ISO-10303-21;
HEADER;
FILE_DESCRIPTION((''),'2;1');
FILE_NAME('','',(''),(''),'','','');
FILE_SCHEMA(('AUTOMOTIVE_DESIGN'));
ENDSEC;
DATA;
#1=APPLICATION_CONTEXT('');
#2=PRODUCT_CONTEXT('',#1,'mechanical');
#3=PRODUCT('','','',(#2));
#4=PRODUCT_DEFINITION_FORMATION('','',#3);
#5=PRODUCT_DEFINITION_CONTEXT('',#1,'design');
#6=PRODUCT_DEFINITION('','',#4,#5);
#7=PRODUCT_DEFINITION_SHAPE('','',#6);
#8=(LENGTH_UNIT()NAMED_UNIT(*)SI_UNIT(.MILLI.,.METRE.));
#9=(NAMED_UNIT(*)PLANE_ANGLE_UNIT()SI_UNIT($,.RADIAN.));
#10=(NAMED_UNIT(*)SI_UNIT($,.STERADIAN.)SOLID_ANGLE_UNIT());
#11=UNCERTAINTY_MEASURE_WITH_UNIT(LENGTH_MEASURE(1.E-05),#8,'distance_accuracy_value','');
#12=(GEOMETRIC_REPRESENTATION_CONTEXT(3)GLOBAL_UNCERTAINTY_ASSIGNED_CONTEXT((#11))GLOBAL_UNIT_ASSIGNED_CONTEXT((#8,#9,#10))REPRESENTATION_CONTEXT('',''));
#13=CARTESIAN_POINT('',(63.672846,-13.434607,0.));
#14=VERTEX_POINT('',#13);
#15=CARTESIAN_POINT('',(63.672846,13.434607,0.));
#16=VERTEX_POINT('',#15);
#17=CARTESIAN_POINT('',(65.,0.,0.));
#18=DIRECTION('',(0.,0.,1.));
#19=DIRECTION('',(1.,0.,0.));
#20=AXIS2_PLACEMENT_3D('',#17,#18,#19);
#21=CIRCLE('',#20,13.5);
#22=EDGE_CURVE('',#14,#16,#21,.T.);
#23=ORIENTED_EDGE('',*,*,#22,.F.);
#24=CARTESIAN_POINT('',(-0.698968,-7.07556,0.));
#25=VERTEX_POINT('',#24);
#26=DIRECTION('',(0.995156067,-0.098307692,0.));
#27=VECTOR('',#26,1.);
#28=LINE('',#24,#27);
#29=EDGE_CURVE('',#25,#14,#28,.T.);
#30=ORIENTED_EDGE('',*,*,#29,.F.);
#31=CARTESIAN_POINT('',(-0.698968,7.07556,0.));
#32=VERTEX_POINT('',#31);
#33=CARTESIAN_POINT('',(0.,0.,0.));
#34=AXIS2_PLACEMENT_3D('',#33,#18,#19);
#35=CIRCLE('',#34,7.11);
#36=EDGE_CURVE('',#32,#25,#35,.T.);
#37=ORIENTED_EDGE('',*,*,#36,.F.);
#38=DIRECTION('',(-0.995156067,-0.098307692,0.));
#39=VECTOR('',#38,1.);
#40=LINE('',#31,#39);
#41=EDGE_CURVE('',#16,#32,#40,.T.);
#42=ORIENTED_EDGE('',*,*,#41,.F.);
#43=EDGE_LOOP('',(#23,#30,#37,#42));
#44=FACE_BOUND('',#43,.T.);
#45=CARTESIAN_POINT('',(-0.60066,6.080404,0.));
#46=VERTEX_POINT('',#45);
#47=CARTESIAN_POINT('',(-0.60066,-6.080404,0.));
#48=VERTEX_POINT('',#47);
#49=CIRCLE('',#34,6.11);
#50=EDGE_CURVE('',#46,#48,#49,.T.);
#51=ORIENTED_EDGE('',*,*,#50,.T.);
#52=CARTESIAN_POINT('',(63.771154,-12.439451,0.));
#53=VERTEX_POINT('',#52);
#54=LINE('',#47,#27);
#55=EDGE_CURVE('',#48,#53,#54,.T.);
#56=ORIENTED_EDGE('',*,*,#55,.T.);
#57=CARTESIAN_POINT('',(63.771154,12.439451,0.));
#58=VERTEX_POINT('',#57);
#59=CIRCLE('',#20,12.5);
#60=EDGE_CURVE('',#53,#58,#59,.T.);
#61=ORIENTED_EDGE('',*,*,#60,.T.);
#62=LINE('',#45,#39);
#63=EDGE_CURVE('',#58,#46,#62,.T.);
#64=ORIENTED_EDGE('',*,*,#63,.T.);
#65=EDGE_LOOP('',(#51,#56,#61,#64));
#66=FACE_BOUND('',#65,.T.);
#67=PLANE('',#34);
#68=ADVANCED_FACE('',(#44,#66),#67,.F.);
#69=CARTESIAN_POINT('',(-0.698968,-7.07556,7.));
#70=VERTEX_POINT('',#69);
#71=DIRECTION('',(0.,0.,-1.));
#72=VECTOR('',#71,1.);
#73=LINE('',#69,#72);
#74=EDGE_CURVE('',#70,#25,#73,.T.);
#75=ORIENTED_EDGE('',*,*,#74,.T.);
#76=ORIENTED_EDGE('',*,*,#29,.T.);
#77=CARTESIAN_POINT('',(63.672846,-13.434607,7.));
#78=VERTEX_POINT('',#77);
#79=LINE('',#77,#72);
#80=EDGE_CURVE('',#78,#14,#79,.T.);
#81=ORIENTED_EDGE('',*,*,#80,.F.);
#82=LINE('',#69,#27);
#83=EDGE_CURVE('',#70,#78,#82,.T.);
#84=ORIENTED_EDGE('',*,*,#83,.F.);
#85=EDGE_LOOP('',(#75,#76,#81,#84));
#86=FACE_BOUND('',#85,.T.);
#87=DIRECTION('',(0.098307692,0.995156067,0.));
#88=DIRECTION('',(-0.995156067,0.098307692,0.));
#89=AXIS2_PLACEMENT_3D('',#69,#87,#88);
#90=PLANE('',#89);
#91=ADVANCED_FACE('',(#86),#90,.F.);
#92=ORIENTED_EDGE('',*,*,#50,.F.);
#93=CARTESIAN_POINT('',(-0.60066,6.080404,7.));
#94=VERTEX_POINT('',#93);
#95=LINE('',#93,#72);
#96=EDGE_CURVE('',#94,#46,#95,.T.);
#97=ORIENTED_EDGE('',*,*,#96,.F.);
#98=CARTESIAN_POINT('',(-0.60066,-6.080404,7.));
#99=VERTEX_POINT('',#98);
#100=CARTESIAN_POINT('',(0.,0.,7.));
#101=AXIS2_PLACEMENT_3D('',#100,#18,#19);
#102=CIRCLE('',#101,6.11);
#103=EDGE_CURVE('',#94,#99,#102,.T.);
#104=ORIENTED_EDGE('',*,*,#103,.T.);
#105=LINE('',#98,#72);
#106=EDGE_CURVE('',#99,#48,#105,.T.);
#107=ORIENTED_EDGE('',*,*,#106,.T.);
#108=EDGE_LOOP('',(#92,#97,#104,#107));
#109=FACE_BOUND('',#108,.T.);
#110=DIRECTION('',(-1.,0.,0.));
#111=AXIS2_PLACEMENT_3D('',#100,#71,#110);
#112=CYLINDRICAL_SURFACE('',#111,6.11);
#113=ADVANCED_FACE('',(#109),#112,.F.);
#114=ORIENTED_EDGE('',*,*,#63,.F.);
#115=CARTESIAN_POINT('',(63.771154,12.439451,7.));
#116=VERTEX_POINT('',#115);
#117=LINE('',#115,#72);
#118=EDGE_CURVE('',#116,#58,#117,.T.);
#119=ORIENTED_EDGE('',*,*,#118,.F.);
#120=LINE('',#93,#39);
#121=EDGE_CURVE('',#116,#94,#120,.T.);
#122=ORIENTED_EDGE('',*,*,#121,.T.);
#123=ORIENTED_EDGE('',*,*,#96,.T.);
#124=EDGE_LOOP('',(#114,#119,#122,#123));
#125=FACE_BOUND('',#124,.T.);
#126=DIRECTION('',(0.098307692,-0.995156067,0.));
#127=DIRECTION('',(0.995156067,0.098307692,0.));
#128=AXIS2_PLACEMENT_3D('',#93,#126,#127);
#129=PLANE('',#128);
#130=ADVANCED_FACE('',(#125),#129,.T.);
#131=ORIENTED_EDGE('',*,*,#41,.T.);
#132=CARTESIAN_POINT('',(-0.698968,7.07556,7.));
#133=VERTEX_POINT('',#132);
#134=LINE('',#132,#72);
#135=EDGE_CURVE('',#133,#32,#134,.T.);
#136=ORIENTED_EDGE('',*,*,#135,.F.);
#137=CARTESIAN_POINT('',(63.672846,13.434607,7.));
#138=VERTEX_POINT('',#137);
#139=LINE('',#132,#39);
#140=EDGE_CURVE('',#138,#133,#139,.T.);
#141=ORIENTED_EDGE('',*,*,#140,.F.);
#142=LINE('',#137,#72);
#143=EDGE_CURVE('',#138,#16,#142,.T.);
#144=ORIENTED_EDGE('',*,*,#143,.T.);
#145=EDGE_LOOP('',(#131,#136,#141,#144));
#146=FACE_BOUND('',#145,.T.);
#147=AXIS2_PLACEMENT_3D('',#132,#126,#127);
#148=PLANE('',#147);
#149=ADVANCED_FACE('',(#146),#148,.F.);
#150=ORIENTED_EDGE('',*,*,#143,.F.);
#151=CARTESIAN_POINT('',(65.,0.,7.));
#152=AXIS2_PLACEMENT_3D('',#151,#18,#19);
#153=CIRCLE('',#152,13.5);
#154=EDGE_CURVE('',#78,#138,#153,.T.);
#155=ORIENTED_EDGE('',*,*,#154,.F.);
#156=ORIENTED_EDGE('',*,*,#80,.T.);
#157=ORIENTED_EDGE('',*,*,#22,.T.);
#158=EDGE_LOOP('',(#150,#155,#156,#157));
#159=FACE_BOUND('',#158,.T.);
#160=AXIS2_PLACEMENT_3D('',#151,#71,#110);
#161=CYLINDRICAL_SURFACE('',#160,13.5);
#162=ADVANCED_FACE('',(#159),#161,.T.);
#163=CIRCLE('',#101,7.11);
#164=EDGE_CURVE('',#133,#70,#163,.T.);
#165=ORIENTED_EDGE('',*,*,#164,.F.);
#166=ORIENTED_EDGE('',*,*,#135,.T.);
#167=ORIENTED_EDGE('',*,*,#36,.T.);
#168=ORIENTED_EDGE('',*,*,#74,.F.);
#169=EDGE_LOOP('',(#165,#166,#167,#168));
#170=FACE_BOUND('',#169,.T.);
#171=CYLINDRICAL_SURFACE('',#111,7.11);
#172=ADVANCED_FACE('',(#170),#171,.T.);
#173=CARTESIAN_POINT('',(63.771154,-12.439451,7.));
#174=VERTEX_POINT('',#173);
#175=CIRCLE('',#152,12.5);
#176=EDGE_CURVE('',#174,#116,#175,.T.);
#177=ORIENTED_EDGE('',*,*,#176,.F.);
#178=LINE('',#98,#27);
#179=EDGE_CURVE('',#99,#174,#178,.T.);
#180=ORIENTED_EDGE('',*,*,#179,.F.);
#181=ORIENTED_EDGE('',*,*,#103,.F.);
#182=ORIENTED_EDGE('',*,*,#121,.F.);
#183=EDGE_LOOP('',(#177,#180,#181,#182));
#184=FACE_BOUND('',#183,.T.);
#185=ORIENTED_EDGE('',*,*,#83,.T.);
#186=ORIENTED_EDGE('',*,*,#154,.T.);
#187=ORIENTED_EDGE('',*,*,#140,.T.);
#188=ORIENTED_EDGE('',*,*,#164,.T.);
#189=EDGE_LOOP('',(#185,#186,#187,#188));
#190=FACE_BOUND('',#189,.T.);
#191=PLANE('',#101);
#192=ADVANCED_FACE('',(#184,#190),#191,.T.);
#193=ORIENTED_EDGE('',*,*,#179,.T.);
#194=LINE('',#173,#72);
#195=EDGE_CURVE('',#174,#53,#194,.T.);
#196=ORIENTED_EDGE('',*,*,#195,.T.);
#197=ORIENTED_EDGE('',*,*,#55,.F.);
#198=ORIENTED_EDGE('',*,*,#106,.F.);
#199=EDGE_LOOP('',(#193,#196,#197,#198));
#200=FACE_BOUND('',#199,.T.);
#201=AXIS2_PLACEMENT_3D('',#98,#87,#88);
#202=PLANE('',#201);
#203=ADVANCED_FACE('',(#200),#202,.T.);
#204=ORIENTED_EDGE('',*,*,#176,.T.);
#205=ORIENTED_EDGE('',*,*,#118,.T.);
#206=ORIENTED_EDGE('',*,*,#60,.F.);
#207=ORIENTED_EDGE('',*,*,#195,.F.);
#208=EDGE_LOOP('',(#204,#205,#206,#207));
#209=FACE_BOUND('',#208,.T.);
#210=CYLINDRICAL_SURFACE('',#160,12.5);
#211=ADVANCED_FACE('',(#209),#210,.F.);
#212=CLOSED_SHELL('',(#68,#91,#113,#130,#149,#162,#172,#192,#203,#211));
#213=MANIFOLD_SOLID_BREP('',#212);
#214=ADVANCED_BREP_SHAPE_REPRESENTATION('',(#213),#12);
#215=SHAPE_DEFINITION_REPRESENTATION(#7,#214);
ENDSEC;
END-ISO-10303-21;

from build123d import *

# Parameters (mm, degrees)
BOSS_EXTRUDE1_DEPTH = 7


with BuildPart() as part:
    # Sketch1 → Boss-Extrude1 (new body)
    with BuildSketch(Plane.XY):
        with BuildLine():
            Line((-0.698967692, 7.075559636), (63.672846154, 13.434606904))
            ThreePointArc((63.672846154, 13.434606904), (78.5, 0), (63.672846154, -13.434606904))
            Line((63.672846154, -13.434606904), (-0.698967692, -7.075559636))
            ThreePointArc((-0.698967692, -7.075559636), (-7.11, 0), (-0.698967692, 7.075559636))
        make_face()
        with BuildLine():
            Line((-0.60066, 6.080403569), (63.771153846, 12.439450837))
            ThreePointArc((63.771153846, 12.439450837), (77.5, 0), (63.771153846, -12.439450837))
            Line((63.771153846, -12.439450837), (-0.60066, -6.080403569))
            ThreePointArc((-0.60066, -6.080403569), (-6.11, 0), (-0.60066, 6.080403569))
        make_face(mode=Mode.SUBTRACT)
    extrude(amount=BOSS_EXTRUDE1_DEPTH)


solid = part.part
